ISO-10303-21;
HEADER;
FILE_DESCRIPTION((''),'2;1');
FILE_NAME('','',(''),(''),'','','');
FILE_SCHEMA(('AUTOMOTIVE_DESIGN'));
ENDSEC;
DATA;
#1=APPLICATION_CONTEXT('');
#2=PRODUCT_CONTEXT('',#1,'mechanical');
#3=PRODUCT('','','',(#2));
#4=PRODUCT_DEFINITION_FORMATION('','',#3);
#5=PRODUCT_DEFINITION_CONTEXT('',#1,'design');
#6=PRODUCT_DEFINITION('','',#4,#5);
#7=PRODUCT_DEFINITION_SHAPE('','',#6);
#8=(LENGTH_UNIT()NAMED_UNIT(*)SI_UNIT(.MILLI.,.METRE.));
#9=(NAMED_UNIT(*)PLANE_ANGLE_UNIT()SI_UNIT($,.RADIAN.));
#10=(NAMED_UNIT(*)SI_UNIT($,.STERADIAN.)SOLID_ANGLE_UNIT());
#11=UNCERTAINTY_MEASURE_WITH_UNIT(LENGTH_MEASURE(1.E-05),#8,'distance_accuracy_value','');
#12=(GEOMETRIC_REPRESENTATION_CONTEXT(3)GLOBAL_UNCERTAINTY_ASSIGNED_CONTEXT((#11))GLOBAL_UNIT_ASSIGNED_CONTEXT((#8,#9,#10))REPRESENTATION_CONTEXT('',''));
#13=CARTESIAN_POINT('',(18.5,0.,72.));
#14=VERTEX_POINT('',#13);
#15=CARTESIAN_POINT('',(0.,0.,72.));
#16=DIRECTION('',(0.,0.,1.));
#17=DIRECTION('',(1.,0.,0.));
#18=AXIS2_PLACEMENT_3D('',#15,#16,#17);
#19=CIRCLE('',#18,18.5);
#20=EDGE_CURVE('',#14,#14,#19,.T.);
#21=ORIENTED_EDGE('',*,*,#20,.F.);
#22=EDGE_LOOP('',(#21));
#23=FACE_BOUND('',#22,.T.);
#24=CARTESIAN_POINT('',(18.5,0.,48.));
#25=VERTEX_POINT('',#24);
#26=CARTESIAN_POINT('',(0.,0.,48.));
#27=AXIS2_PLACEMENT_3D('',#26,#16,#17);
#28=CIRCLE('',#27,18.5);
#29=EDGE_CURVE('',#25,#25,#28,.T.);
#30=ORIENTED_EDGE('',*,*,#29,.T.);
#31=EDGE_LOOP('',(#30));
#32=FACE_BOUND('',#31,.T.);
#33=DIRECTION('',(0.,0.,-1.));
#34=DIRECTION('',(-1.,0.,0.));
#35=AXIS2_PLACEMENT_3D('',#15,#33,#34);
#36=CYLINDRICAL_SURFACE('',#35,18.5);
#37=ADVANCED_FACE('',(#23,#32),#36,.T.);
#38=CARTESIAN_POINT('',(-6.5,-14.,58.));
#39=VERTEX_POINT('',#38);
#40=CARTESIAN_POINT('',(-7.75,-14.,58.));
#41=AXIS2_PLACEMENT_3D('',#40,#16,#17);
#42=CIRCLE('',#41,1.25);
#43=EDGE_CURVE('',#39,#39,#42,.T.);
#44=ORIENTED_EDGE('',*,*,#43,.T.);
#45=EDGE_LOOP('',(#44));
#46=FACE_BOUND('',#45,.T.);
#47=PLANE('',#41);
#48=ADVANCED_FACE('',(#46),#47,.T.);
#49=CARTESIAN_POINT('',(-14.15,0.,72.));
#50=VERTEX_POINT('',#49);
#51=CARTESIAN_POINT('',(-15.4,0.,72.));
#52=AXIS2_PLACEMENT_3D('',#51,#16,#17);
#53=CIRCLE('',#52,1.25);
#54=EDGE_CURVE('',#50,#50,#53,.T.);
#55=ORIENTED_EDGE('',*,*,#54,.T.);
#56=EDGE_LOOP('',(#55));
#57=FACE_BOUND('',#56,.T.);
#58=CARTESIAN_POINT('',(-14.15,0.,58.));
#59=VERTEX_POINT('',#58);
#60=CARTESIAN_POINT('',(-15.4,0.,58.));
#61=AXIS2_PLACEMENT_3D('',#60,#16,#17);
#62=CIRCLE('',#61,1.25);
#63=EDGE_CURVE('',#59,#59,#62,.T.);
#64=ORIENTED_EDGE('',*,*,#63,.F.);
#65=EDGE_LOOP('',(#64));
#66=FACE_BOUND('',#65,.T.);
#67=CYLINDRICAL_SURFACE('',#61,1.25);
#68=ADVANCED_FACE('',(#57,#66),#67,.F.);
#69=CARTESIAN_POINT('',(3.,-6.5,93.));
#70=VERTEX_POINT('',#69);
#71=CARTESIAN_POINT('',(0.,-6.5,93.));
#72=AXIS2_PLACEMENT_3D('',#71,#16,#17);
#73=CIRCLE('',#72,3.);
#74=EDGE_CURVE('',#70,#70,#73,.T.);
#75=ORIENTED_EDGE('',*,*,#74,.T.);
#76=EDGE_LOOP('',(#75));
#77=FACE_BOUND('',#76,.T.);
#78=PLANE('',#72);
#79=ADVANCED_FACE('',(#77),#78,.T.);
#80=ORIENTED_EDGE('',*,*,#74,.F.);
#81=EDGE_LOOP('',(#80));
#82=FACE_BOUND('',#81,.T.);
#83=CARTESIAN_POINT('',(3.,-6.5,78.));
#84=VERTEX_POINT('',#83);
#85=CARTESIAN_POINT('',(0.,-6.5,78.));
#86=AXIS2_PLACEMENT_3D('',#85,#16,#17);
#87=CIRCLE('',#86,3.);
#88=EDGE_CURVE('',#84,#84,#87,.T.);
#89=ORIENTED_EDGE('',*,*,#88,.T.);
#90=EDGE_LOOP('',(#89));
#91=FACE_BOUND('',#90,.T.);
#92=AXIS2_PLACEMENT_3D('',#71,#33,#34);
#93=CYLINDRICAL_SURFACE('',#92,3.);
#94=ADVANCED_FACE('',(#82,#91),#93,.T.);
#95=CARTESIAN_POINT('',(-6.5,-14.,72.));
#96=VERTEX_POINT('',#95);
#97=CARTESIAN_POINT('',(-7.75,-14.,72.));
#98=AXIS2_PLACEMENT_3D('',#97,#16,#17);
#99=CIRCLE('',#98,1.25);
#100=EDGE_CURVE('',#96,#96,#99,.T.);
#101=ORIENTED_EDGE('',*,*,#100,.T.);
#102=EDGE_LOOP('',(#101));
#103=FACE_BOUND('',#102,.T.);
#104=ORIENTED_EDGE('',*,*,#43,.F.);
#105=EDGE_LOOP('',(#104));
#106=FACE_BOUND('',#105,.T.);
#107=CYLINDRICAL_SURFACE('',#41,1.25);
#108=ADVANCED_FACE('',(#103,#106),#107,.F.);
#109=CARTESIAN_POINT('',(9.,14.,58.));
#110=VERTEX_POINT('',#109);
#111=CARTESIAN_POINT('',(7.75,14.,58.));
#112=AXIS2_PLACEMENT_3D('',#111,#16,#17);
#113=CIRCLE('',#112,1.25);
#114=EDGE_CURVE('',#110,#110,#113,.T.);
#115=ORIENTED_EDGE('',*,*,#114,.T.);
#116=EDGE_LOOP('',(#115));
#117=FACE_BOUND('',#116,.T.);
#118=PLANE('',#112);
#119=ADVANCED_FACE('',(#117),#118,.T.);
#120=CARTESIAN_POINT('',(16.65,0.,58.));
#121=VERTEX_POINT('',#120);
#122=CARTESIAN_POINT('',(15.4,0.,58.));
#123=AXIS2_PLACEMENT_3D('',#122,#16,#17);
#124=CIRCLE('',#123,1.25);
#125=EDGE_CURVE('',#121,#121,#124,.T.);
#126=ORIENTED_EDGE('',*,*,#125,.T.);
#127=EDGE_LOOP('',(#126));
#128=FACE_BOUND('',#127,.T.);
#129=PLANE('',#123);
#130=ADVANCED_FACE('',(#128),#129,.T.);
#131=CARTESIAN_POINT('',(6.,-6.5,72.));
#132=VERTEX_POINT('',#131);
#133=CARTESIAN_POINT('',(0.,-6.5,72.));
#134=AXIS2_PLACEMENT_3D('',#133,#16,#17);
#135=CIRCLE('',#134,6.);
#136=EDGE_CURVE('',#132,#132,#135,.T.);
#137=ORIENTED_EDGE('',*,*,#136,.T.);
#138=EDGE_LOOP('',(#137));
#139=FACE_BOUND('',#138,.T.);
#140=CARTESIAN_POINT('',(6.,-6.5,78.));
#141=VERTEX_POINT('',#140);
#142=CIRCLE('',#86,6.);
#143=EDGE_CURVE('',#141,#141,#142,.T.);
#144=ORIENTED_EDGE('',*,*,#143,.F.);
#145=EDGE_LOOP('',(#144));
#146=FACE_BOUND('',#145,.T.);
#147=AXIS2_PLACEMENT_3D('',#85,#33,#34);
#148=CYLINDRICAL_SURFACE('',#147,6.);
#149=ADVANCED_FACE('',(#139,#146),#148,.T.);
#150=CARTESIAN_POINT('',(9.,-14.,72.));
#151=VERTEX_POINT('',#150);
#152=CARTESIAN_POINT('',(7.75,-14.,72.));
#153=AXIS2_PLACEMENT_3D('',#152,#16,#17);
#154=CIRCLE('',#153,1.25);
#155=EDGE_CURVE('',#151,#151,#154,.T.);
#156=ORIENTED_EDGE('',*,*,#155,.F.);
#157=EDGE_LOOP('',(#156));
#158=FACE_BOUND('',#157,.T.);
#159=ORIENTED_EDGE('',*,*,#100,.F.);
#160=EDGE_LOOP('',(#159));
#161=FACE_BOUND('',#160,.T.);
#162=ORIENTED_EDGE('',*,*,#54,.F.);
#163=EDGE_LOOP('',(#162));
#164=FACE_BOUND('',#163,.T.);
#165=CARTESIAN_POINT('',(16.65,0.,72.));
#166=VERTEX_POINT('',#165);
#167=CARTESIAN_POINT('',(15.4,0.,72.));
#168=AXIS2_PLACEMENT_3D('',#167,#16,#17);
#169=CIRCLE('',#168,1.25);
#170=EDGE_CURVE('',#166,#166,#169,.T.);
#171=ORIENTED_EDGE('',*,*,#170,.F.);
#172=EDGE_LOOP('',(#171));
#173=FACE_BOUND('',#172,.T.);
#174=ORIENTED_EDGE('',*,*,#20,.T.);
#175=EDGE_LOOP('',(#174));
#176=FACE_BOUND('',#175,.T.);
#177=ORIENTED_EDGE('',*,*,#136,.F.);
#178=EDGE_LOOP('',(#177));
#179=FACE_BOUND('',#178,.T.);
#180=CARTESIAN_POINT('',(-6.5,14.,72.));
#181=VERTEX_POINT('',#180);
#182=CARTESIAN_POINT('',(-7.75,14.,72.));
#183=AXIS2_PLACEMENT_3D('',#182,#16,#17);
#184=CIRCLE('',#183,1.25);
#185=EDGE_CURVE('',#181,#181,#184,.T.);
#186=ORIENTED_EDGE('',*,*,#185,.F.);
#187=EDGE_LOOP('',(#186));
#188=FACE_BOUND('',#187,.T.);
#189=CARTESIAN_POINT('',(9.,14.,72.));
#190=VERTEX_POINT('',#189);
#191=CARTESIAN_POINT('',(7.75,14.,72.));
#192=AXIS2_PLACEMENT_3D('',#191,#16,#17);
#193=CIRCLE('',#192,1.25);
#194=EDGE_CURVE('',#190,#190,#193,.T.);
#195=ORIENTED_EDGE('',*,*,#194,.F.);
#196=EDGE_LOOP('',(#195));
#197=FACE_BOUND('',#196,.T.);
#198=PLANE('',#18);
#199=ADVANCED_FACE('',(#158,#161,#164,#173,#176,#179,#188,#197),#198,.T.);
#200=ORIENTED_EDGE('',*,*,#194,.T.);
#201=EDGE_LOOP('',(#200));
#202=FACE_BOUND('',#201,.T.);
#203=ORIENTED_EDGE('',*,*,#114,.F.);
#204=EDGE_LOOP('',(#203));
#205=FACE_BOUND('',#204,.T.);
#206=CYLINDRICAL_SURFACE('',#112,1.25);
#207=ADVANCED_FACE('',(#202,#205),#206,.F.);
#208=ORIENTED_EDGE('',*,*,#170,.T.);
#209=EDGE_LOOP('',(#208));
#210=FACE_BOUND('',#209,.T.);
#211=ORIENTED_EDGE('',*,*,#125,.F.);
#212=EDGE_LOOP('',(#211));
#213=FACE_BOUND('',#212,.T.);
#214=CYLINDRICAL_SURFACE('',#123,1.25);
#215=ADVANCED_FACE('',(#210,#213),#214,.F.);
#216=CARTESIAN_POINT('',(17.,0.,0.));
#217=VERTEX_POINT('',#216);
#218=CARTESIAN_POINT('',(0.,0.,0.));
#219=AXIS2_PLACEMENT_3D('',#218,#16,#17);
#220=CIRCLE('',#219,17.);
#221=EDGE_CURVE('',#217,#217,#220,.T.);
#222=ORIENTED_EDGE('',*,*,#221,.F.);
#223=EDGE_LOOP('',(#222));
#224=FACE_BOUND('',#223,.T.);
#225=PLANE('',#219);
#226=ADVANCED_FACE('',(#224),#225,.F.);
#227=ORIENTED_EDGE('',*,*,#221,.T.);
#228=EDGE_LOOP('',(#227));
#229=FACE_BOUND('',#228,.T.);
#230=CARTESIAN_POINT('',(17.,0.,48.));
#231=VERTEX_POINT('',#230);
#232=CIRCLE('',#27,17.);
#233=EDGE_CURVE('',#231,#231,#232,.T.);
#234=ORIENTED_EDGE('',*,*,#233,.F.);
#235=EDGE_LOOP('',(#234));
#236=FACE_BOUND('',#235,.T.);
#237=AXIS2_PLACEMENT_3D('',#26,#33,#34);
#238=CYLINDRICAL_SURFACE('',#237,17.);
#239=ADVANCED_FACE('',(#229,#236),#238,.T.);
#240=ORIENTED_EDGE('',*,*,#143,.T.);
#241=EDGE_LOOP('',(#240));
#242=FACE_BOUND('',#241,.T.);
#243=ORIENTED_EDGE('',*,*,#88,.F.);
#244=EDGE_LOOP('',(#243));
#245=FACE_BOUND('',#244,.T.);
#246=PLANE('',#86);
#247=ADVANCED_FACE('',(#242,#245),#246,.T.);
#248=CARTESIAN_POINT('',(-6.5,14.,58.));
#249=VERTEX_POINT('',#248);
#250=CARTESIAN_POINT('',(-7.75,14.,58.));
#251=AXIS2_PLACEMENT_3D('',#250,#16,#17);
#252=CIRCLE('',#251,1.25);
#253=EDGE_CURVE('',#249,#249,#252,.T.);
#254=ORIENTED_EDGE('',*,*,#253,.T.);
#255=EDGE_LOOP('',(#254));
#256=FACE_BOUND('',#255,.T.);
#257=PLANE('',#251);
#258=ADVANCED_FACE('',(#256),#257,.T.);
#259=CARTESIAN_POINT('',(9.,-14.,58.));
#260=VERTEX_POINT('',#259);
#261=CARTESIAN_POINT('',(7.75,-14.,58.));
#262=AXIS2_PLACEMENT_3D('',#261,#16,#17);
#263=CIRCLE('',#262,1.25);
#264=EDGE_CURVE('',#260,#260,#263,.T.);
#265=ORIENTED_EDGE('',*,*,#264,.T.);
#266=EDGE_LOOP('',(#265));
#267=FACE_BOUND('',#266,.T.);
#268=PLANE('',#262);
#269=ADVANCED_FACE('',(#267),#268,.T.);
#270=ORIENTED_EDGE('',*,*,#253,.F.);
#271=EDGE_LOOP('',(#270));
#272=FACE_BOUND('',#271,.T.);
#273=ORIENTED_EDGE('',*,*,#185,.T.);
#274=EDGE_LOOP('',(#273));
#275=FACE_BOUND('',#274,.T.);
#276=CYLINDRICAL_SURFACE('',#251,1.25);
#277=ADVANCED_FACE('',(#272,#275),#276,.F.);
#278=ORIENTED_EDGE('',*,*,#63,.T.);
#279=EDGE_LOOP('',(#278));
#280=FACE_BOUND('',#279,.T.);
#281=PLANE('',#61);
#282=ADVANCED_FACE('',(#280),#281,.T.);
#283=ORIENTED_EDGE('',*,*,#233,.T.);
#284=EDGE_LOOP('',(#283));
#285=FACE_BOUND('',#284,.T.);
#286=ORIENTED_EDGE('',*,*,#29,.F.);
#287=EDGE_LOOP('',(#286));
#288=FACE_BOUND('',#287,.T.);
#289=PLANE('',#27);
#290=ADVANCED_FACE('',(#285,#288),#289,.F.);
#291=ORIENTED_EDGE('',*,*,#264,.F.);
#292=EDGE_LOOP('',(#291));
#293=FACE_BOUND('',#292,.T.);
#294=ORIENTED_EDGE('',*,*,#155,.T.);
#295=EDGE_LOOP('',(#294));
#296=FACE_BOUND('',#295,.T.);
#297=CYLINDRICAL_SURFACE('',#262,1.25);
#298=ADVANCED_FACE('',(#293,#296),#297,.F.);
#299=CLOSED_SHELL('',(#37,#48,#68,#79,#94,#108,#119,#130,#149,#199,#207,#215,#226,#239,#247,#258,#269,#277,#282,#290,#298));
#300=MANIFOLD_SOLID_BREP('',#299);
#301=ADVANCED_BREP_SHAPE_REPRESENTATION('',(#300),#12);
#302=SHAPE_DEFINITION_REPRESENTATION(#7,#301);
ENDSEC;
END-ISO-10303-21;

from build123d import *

# Parameters (mm, degrees)
CROQUIS1_R              = 17
SALIENTE_EXTRUIR1_DEPTH = 48
CROQUIS2_R              = 18.5
SALIENTE_EXTRUIR2_DEPTH = 24
CROQUIS3_R              = 6
SALIENTE_EXTRUIR3_DEPTH = 6
CROQUIS4_R              = 3
SALIENTE_EXTRUIR4_DEPTH = 15
CROQUIS5_R              = 1.25
CORTAR_EXTRUIR3_DEPTH   = 14


with BuildPart() as part:
    # Croquis1 → Saliente-Extruir1 (new body)
    with BuildSketch(Plane.XY):
        Circle(CROQUIS1_R)
    extrude(amount=SALIENTE_EXTRUIR1_DEPTH)

    # Croquis2 → Saliente-Extruir2 (add)
    with BuildSketch(Plane.XY.offset(48)):
        Circle(CROQUIS2_R)
    extrude(amount=SALIENTE_EXTRUIR2_DEPTH)

    # Croquis3 → Saliente-Extruir3 (add)
    with BuildSketch(Plane.XY.offset(72)):
        with Locations((0, -6.5)):
            Circle(CROQUIS3_R)
    extrude(amount=SALIENTE_EXTRUIR3_DEPTH)

    # Croquis4 → Saliente-Extruir4 (add)
    with BuildSketch(Plane.XY.offset(78)):
        with Locations((0, -6.5)):
            Circle(CROQUIS4_R)
    extrude(amount=SALIENTE_EXTRUIR4_DEPTH)

    # Croquis5 → Cortar-Extruir3 (cut)
    with BuildSketch(Plane.XY.offset(72)):
        with Locations((-7.75, -14)):
            Circle(CROQUIS5_R)
        with Locations((7.75, -14)):
            Circle(CROQUIS5_R)
        with Locations((-15.4, 0)):
            Circle(CROQUIS5_R)
        with Locations((15.4, 0)):
            Circle(CROQUIS5_R)
        with Locations((-7.75, 14)):
            Circle(CROQUIS5_R)
        with Locations((7.75, 14)):
            Circle(CROQUIS5_R)
    extrude(amount=-CORTAR_EXTRUIR3_DEPTH, mode=Mode.SUBTRACT)


solid = part.part
